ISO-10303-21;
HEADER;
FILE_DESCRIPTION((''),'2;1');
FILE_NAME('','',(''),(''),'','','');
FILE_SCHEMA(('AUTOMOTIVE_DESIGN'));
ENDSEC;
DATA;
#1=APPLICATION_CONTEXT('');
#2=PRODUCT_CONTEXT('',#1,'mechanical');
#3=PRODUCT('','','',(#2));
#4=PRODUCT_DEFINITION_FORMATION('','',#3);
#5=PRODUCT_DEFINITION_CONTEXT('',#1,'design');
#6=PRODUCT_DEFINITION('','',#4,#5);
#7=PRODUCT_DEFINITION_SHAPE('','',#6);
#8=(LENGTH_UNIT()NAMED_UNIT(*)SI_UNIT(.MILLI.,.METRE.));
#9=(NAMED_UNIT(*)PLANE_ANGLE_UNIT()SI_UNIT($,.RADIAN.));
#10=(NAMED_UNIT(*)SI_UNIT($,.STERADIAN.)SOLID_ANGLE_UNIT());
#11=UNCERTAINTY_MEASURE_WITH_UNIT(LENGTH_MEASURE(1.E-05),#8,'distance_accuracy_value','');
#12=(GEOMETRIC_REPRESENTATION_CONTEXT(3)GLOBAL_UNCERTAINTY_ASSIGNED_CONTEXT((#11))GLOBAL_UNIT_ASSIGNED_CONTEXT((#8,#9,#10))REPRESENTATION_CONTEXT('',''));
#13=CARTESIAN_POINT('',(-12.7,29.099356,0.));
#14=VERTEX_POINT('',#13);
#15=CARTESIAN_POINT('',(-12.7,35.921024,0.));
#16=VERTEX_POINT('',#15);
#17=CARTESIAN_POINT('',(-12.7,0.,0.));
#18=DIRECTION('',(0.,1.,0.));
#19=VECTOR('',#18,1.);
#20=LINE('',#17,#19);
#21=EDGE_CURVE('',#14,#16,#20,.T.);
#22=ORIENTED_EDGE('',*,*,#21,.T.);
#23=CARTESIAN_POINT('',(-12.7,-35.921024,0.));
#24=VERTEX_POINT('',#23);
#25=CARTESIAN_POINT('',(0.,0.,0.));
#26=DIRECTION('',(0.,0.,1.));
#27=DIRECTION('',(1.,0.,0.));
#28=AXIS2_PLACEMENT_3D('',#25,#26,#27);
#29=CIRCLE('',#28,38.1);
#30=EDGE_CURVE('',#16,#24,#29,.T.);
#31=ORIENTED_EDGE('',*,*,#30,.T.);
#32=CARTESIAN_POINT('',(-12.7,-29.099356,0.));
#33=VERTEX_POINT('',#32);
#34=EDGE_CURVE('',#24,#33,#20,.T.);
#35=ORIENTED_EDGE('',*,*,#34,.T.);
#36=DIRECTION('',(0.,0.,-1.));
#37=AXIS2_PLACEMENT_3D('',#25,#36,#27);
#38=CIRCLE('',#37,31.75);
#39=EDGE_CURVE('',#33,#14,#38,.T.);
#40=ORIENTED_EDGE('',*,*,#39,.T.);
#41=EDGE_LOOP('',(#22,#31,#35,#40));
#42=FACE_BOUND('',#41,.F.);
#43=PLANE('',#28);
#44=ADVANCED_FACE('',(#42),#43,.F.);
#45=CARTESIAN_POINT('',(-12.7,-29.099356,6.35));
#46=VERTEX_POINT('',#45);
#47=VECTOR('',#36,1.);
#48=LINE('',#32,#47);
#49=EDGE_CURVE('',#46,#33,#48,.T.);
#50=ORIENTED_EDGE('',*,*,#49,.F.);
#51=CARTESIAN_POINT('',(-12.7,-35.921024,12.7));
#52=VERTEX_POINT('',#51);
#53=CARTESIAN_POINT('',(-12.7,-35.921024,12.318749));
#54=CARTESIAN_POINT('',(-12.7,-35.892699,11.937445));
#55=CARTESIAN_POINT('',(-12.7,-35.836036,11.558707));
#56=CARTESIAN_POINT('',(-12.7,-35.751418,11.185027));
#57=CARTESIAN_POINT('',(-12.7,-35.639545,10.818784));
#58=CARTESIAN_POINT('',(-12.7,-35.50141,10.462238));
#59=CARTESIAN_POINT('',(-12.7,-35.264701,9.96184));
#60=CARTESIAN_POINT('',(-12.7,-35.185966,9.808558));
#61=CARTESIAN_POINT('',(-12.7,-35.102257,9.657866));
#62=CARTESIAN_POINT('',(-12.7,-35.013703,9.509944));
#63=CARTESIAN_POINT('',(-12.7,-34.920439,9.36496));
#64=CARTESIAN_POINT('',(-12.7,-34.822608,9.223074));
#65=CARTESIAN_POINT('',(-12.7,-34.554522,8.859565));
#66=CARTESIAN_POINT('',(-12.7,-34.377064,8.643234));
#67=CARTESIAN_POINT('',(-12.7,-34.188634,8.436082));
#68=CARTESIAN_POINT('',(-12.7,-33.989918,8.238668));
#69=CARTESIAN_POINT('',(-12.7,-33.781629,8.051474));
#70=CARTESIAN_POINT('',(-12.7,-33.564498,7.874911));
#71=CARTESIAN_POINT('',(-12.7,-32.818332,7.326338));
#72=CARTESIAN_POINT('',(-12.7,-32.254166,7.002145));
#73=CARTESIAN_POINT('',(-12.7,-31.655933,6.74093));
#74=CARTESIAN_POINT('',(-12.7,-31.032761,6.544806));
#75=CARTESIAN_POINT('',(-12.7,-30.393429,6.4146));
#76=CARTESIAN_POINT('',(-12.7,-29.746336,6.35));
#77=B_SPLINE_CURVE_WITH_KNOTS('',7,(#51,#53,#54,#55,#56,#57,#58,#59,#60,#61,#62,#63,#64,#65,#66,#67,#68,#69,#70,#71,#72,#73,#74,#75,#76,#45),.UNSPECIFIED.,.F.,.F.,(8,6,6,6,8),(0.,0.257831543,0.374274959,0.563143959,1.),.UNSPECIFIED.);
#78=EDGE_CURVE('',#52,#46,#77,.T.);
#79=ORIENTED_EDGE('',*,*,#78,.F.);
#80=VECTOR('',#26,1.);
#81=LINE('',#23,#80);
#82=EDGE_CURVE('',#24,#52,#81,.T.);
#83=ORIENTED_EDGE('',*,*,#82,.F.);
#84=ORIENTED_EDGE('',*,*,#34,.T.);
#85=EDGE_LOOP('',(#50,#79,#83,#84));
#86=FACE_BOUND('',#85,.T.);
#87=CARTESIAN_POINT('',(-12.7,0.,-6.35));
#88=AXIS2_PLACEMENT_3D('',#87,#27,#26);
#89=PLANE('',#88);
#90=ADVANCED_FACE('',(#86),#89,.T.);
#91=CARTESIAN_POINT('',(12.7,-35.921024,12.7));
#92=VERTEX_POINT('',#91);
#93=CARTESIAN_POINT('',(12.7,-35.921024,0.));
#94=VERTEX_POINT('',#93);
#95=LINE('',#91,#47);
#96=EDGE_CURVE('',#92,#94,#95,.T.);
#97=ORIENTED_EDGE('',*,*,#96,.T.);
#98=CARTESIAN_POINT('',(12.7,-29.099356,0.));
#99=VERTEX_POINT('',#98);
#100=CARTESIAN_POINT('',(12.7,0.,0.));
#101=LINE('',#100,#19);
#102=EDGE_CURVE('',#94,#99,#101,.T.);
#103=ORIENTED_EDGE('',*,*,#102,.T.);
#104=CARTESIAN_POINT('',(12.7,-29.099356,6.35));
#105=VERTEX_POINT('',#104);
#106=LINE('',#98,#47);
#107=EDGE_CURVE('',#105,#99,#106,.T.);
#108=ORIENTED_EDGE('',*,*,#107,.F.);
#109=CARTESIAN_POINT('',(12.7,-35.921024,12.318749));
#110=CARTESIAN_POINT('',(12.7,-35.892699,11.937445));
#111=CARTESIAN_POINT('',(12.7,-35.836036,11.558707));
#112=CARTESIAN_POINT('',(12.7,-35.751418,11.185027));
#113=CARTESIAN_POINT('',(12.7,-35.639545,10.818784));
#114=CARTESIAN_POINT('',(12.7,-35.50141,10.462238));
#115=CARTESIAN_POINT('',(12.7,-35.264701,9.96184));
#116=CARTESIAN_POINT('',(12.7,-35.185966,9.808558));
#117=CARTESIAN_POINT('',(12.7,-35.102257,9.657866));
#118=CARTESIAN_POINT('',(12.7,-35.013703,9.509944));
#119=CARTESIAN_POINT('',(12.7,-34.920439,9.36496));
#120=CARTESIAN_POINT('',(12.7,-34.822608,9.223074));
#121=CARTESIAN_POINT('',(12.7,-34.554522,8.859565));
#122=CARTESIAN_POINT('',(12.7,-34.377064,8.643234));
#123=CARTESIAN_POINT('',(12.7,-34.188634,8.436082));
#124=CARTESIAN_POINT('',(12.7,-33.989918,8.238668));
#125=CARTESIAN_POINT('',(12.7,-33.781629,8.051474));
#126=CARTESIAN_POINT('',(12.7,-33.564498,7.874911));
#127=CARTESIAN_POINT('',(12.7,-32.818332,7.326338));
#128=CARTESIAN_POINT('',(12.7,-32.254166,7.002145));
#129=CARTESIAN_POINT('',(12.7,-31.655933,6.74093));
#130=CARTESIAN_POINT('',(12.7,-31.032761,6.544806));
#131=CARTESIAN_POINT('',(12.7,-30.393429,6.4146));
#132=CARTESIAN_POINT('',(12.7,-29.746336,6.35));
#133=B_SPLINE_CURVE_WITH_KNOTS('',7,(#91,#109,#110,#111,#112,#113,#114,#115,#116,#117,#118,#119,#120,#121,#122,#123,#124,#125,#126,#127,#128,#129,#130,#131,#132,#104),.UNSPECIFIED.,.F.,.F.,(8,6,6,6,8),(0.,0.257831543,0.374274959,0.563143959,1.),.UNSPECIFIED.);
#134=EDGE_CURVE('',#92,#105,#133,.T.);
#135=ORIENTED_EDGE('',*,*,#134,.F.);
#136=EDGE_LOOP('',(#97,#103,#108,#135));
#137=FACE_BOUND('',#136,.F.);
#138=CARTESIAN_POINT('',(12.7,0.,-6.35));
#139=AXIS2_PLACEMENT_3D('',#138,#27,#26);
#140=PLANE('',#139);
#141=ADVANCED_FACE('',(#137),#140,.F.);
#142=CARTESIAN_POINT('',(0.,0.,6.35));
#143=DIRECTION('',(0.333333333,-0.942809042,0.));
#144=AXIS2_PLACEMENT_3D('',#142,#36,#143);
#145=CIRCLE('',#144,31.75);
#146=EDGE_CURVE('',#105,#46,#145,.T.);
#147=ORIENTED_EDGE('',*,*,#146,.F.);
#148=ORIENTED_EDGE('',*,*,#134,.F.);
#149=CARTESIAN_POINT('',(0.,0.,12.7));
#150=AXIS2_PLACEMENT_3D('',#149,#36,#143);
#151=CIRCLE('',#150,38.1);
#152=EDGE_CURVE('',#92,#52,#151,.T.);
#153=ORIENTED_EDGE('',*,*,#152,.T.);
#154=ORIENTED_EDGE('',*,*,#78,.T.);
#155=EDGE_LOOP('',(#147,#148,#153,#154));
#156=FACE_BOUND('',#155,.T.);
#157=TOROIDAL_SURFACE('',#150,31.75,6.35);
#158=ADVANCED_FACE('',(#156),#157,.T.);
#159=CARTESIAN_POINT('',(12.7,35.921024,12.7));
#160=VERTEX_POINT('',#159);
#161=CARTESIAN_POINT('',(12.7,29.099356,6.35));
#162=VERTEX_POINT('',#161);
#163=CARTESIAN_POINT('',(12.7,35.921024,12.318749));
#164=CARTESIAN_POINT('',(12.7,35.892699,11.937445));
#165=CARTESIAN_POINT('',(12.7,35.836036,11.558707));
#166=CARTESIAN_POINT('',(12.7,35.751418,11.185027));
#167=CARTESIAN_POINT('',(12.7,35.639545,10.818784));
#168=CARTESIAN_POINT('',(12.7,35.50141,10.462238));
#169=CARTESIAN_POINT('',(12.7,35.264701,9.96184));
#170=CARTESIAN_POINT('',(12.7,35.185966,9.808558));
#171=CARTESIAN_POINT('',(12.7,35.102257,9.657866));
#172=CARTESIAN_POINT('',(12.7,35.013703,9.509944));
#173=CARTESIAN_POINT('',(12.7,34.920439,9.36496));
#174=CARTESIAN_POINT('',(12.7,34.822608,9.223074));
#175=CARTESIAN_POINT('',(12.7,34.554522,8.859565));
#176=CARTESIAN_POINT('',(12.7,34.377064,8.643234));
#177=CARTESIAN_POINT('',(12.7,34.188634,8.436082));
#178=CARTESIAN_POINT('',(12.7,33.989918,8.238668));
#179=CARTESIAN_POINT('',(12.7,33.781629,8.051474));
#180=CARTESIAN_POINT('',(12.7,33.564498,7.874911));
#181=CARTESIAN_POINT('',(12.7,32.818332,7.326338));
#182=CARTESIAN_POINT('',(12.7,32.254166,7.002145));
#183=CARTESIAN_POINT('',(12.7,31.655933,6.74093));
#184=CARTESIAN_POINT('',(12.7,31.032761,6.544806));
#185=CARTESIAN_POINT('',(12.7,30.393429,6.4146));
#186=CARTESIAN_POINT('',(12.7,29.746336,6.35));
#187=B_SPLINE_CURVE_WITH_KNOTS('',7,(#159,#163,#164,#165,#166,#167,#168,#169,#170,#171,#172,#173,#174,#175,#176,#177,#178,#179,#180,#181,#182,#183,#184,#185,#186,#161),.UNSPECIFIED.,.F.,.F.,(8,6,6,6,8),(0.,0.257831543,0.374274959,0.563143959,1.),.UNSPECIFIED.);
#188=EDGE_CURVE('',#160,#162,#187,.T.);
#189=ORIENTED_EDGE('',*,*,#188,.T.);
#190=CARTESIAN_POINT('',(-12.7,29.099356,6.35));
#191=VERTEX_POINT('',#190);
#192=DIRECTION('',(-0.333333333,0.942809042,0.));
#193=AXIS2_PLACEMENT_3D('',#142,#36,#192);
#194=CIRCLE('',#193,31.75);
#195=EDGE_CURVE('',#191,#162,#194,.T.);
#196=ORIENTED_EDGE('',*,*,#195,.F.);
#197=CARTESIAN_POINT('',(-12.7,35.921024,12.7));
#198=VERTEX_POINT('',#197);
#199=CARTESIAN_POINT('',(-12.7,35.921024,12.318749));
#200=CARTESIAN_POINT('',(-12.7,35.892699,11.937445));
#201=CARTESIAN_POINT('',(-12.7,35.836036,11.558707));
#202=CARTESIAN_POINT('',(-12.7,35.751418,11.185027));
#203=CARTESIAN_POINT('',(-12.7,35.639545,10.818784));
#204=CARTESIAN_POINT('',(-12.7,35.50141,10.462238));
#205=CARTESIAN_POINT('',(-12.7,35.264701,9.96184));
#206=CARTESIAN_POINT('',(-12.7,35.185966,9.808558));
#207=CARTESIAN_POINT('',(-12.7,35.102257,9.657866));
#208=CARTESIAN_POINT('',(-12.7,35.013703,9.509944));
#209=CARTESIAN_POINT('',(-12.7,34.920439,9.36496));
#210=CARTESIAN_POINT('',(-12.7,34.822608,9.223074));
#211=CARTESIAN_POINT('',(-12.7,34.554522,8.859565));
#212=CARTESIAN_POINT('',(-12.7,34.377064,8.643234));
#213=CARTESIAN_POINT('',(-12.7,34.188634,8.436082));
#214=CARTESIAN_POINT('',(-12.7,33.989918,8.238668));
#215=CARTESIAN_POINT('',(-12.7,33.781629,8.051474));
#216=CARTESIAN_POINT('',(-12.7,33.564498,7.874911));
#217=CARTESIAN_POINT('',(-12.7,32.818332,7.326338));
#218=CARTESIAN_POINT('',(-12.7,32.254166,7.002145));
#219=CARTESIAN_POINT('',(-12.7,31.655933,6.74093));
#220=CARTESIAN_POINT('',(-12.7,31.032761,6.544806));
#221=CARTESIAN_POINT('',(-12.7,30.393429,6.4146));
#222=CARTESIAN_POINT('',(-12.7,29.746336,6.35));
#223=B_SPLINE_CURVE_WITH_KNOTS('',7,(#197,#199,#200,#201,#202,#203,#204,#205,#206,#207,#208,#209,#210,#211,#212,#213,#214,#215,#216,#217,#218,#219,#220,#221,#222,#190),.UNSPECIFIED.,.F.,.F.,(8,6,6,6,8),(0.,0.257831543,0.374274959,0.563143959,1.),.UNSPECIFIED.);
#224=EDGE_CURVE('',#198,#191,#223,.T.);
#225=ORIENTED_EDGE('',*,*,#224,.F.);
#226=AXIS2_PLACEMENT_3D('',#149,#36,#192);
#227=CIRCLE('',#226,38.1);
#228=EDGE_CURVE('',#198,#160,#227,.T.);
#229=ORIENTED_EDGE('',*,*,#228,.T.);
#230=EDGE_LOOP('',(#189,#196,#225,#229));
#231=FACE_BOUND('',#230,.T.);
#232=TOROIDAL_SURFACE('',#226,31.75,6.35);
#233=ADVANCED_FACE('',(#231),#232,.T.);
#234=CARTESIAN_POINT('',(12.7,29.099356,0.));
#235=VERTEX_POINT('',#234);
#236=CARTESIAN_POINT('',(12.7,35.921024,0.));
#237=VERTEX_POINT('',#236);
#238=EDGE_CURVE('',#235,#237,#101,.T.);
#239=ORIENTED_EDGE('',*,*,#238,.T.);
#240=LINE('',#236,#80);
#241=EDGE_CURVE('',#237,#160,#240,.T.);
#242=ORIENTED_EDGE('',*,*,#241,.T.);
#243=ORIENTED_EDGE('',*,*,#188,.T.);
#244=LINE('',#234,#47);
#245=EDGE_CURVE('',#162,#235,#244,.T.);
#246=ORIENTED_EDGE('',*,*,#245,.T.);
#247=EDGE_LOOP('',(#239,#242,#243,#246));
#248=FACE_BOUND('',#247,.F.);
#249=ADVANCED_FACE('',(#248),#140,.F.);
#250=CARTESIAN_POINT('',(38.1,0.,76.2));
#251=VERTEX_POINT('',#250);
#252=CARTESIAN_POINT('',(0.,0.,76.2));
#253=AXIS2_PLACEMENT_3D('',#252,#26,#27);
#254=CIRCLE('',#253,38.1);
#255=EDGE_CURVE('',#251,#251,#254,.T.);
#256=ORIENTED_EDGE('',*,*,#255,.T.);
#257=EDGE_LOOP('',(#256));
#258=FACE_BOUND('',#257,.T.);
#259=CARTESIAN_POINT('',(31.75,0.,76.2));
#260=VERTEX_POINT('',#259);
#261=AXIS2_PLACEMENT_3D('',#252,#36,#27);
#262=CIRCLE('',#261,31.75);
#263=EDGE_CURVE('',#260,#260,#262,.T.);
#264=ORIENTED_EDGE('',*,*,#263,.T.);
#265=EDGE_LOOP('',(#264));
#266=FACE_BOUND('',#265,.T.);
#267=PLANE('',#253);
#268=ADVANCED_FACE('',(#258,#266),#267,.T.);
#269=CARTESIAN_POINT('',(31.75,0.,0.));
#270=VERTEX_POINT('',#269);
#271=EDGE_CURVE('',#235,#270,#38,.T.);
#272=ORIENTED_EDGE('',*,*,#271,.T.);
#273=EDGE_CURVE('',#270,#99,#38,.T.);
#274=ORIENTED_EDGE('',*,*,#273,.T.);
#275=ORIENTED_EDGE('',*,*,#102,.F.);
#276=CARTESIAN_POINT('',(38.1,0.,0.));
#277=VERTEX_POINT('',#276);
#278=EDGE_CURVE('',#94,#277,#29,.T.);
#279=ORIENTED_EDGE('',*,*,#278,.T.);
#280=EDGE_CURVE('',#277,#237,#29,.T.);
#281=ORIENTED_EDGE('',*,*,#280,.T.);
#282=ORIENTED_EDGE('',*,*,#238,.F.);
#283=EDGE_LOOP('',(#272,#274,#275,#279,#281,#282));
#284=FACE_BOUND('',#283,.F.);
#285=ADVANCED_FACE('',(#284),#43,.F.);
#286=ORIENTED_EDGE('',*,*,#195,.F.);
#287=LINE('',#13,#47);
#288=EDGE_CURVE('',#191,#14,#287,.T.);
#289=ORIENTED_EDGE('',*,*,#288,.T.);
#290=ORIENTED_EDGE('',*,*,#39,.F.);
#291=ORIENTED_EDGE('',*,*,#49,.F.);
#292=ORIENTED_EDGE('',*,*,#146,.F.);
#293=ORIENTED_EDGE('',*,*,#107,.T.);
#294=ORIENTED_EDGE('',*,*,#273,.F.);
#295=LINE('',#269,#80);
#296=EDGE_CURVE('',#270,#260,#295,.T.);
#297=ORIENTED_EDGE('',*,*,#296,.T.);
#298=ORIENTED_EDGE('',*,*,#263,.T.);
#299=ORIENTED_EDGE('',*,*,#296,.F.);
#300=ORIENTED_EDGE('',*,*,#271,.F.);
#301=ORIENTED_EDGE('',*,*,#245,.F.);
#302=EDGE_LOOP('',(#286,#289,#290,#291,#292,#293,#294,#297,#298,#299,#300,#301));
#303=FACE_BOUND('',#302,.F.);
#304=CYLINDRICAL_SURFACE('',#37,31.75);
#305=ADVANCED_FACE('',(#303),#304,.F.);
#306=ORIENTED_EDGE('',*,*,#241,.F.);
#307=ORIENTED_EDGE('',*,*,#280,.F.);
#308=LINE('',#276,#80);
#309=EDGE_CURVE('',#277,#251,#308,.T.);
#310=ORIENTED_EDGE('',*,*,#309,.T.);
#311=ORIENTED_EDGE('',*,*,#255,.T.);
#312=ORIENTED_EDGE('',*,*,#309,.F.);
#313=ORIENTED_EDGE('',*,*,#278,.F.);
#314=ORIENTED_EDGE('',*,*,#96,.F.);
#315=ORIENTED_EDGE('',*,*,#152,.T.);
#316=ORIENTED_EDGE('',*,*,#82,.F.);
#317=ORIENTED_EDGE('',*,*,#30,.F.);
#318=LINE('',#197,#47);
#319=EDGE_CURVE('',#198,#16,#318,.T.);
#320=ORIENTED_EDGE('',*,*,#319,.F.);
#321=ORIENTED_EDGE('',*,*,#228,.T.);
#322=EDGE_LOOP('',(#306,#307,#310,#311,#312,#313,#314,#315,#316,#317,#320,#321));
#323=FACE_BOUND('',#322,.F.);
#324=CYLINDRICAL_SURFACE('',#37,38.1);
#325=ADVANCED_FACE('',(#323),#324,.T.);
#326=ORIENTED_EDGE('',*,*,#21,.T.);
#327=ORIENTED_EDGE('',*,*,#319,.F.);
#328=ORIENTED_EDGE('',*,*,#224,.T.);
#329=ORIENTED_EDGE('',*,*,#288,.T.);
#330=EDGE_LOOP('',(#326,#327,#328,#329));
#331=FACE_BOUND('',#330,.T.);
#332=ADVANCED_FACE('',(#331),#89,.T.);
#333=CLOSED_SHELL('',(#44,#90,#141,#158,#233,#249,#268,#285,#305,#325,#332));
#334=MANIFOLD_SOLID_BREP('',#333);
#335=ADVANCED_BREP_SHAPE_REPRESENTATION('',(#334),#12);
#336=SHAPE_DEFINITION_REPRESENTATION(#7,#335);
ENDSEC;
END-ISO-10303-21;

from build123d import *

# Parameters (mm, degrees)
F0_R     = 38.1
F1_DEPTH = 76.2
F2_W     = 25.4
F2_H     = 12.7
F3_DEPTH = 63.5
F4_R     = 6.35
F5_R     = 31.75
F6_DEPTH = 76.201


with BuildPart() as f1:
    # F0 (on Top) → F1 (new body)
    with BuildSketch(Plane.XY):
        Circle(F0_R)
    extrude(amount=F1_DEPTH)

    # F2 (on Front) → F3 (cut, symmetric)
    with BuildSketch(Plane.XZ):
        Rectangle(F2_W, F2_H)
    extrude(amount=F3_DEPTH, both=True, mode=Mode.SUBTRACT)

    # F4
    f4_edges = [f1.edges().sort_by_distance(p)[0] for p in [
        (0, 38.1, 6.35),
        (0, -38.1, 6.35),
    ]]
    fillet(f4_edges, radius=F4_R)

    # F5 (on face) → F6 (cut, through all)
    with BuildSketch(Plane(origin=(0, 0, 0), x_dir=(1, 0, 0), z_dir=(0, 0, -1))):
        Circle(F5_R)
    extrude(amount=-F6_DEPTH, mode=Mode.SUBTRACT)


solid = f1.part
